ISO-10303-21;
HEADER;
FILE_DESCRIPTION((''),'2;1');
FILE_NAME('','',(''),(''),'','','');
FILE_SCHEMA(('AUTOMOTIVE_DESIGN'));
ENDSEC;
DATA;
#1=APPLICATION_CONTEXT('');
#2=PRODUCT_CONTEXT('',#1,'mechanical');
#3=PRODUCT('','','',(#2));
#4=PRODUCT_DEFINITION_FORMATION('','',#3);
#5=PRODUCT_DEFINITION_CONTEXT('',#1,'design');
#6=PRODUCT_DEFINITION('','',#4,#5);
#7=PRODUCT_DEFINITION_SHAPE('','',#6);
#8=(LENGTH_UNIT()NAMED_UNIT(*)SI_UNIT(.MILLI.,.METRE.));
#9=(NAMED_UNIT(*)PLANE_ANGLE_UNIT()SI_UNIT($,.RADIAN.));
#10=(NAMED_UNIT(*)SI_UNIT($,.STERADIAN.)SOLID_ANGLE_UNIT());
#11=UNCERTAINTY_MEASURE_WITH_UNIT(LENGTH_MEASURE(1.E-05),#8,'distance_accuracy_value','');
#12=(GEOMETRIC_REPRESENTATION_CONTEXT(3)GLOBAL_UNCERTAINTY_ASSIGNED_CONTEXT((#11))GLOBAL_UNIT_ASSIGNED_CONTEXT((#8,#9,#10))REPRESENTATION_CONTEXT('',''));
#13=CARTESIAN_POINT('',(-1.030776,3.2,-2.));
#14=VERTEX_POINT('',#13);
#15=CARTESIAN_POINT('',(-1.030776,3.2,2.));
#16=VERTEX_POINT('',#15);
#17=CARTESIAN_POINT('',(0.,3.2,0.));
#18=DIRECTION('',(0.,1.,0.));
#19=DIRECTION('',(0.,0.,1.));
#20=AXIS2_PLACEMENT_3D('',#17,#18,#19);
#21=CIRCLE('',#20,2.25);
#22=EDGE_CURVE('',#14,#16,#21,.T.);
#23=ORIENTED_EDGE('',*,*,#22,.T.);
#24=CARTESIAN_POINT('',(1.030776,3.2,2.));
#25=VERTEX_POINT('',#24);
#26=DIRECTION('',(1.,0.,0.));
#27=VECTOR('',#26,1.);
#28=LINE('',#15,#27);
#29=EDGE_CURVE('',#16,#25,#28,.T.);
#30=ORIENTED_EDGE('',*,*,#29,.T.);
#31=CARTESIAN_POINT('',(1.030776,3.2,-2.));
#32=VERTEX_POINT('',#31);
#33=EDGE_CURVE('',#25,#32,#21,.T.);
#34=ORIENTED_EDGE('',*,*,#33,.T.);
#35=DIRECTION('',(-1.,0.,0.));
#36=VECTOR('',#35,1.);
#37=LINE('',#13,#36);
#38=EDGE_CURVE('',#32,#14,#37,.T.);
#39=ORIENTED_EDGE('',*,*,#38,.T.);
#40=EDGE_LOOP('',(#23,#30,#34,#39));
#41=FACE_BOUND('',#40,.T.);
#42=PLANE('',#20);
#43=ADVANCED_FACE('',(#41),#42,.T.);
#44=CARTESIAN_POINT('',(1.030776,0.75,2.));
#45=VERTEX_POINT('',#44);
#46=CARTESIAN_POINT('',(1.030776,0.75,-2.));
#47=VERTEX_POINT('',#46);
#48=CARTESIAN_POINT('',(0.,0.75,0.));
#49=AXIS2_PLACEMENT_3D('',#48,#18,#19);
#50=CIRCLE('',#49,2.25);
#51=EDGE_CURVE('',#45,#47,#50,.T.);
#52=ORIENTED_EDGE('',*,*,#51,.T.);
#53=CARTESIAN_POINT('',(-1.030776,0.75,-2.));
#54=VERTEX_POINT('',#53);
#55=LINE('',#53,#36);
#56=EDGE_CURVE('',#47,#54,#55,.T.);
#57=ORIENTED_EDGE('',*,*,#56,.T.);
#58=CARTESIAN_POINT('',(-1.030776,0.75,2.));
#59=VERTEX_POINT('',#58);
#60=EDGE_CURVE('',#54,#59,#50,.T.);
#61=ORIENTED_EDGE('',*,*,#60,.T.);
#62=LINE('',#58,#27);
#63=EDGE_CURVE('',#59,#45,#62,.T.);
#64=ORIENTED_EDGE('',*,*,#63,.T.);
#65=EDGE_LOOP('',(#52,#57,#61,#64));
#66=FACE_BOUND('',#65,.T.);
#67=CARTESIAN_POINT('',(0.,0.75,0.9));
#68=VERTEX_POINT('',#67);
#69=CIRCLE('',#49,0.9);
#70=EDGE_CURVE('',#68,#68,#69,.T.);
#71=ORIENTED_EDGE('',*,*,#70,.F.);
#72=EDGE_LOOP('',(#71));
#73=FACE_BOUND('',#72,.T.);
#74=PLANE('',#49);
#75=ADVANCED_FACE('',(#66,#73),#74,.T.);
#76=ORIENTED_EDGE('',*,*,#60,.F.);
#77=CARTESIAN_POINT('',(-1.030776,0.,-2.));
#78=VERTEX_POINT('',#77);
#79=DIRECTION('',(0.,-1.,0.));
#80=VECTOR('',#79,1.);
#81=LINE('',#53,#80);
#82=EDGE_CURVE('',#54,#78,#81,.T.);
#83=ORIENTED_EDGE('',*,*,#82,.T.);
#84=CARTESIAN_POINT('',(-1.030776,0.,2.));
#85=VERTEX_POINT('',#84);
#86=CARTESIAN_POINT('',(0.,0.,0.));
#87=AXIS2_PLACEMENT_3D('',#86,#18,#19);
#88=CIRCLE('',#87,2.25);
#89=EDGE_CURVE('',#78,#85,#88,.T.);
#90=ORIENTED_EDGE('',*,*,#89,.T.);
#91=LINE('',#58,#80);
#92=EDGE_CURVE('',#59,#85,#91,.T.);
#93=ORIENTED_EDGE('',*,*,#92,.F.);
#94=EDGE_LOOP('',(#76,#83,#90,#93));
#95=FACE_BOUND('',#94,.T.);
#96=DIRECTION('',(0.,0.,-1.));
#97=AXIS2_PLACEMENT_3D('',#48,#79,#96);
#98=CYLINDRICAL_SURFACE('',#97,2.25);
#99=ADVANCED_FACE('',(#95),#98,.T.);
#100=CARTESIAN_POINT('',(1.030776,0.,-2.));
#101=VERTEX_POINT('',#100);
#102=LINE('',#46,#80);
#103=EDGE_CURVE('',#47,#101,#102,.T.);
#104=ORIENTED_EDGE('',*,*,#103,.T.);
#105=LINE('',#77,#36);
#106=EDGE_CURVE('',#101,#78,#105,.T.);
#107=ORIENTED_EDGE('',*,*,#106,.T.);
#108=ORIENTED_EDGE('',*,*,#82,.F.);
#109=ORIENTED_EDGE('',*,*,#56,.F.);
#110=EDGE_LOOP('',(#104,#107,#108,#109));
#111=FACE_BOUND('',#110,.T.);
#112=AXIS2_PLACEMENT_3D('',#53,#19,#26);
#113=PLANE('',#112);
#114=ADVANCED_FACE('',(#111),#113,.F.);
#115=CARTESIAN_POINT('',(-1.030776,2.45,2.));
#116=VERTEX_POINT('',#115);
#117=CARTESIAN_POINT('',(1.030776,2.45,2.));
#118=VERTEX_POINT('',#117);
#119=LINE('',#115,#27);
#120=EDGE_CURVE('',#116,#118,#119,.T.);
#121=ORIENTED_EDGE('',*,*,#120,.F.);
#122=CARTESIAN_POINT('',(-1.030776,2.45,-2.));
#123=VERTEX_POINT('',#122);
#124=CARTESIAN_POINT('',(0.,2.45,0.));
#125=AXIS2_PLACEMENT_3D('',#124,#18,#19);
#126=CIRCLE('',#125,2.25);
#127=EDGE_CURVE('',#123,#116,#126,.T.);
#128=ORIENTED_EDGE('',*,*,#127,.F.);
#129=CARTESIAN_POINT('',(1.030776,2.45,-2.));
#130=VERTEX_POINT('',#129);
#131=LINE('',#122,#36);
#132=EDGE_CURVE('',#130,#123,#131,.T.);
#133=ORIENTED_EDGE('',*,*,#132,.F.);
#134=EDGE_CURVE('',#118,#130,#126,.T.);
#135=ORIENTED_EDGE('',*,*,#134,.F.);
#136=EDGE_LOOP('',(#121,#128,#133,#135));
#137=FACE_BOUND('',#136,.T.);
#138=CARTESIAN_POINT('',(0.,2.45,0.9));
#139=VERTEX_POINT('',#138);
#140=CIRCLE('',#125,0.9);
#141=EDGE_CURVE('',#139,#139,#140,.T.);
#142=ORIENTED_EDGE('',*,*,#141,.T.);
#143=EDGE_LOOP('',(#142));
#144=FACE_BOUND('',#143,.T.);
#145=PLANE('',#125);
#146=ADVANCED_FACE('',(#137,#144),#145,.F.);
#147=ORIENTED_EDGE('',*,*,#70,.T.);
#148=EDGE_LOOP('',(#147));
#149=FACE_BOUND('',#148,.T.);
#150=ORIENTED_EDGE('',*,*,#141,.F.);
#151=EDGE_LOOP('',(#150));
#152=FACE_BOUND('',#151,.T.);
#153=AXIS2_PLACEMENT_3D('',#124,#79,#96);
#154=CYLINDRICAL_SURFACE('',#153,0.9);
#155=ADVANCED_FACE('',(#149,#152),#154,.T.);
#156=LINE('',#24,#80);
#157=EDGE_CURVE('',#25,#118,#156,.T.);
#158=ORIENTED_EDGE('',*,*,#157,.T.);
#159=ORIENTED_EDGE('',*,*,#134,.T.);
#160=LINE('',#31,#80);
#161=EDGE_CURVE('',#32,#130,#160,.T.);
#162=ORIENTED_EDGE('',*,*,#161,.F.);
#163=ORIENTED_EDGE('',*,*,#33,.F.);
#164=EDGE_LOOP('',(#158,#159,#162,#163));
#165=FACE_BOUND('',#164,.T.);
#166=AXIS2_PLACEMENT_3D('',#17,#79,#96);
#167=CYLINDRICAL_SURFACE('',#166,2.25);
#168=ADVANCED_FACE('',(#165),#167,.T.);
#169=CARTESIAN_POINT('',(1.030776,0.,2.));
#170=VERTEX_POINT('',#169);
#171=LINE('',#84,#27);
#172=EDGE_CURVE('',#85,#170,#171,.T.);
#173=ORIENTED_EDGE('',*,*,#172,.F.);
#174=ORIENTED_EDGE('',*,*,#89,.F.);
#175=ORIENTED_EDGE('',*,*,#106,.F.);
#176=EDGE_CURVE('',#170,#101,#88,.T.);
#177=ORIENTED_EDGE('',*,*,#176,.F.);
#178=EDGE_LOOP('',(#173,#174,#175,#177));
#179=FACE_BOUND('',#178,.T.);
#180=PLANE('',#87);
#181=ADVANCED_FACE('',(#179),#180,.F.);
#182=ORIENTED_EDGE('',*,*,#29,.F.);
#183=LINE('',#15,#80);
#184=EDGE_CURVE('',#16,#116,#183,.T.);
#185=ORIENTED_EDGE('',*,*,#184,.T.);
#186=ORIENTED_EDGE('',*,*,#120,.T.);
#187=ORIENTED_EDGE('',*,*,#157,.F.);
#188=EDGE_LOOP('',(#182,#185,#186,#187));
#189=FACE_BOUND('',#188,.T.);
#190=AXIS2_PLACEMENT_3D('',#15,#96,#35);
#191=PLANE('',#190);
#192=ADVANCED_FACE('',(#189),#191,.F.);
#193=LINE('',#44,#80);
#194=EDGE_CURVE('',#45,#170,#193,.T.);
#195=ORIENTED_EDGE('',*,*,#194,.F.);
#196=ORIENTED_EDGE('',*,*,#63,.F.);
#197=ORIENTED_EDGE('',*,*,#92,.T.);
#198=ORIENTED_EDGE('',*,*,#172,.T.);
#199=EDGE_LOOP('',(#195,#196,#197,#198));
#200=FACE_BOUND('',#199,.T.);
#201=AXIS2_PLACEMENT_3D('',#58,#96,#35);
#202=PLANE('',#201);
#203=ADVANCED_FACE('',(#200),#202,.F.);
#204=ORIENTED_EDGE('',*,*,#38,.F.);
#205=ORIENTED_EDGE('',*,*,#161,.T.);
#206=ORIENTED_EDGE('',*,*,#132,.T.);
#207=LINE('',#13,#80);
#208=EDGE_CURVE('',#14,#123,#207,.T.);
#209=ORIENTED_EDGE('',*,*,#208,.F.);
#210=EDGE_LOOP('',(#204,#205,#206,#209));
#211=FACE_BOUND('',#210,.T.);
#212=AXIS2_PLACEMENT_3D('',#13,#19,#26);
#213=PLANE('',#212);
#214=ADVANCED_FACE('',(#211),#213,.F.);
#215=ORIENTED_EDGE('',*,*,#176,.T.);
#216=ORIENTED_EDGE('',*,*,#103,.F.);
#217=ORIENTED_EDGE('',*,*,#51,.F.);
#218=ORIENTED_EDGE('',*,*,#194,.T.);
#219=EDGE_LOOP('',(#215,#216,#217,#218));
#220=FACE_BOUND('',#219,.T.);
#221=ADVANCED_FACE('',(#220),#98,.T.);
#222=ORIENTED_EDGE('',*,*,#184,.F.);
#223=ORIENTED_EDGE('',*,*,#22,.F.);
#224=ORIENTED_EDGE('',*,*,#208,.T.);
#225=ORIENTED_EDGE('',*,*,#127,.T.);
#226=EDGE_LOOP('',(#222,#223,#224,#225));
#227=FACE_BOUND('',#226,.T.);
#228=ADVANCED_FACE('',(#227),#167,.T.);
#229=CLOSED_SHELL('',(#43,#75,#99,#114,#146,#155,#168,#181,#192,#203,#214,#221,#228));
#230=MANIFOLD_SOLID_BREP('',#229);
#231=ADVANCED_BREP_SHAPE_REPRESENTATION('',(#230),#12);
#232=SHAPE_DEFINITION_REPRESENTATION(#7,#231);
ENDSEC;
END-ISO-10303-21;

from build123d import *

# Parameters (mm, degrees)
BOSS_EXTRUDE1_DEPTH = 0.75
SKETCH2_R           = 0.9
BOSS_EXTRUDE2_DEPTH = 1.7
BOSS_EXTRUDE3_DEPTH = 0.75


with BuildPart() as part:
    # Sketch1 → Boss-Extrude1 (new body)
    with BuildSketch(Plane(origin=(0, 0, 0), x_dir=(1, 0, 0), z_dir=(0, 1, 0))):
        with BuildLine():
            Line((-1.030776406, -2), (1.030776406, -2))
            ThreePointArc((1.030776406, -2), (2.25, 0), (1.030776406, 2))
            Line((1.030776406, 2), (-1.030776406, 2))
            ThreePointArc((-1.030776406, 2), (-2.25, 0), (-1.030776406, -2))
        make_face()
    extrude(amount=BOSS_EXTRUDE1_DEPTH)

    # Sketch2 → Boss-Extrude2 (add)
    with BuildSketch(Plane(origin=(0, 0.75, 0), x_dir=(1, 0, 0), z_dir=(0, 1, 0))):
        Circle(SKETCH2_R)
    extrude(amount=BOSS_EXTRUDE2_DEPTH)

    # Sketch3 → Boss-Extrude3 (add)
    with BuildSketch(Plane(origin=(0, 2.45, 0), x_dir=(1, 0, 0), z_dir=(0, 1, 0))):
        with BuildLine():
            Line((-1.030776406, 2), (1.030776406, 2))
            ThreePointArc((1.030776406, 2), (2.25, 0), (1.030776406, -2))
            Line((1.030776406, -2), (-1.030776406, -2))
            ThreePointArc((-1.030776406, -2), (-2.25, 0), (-1.030776406, 2))
        make_face()
    extrude(amount=BOSS_EXTRUDE3_DEPTH)


solid = part.part
